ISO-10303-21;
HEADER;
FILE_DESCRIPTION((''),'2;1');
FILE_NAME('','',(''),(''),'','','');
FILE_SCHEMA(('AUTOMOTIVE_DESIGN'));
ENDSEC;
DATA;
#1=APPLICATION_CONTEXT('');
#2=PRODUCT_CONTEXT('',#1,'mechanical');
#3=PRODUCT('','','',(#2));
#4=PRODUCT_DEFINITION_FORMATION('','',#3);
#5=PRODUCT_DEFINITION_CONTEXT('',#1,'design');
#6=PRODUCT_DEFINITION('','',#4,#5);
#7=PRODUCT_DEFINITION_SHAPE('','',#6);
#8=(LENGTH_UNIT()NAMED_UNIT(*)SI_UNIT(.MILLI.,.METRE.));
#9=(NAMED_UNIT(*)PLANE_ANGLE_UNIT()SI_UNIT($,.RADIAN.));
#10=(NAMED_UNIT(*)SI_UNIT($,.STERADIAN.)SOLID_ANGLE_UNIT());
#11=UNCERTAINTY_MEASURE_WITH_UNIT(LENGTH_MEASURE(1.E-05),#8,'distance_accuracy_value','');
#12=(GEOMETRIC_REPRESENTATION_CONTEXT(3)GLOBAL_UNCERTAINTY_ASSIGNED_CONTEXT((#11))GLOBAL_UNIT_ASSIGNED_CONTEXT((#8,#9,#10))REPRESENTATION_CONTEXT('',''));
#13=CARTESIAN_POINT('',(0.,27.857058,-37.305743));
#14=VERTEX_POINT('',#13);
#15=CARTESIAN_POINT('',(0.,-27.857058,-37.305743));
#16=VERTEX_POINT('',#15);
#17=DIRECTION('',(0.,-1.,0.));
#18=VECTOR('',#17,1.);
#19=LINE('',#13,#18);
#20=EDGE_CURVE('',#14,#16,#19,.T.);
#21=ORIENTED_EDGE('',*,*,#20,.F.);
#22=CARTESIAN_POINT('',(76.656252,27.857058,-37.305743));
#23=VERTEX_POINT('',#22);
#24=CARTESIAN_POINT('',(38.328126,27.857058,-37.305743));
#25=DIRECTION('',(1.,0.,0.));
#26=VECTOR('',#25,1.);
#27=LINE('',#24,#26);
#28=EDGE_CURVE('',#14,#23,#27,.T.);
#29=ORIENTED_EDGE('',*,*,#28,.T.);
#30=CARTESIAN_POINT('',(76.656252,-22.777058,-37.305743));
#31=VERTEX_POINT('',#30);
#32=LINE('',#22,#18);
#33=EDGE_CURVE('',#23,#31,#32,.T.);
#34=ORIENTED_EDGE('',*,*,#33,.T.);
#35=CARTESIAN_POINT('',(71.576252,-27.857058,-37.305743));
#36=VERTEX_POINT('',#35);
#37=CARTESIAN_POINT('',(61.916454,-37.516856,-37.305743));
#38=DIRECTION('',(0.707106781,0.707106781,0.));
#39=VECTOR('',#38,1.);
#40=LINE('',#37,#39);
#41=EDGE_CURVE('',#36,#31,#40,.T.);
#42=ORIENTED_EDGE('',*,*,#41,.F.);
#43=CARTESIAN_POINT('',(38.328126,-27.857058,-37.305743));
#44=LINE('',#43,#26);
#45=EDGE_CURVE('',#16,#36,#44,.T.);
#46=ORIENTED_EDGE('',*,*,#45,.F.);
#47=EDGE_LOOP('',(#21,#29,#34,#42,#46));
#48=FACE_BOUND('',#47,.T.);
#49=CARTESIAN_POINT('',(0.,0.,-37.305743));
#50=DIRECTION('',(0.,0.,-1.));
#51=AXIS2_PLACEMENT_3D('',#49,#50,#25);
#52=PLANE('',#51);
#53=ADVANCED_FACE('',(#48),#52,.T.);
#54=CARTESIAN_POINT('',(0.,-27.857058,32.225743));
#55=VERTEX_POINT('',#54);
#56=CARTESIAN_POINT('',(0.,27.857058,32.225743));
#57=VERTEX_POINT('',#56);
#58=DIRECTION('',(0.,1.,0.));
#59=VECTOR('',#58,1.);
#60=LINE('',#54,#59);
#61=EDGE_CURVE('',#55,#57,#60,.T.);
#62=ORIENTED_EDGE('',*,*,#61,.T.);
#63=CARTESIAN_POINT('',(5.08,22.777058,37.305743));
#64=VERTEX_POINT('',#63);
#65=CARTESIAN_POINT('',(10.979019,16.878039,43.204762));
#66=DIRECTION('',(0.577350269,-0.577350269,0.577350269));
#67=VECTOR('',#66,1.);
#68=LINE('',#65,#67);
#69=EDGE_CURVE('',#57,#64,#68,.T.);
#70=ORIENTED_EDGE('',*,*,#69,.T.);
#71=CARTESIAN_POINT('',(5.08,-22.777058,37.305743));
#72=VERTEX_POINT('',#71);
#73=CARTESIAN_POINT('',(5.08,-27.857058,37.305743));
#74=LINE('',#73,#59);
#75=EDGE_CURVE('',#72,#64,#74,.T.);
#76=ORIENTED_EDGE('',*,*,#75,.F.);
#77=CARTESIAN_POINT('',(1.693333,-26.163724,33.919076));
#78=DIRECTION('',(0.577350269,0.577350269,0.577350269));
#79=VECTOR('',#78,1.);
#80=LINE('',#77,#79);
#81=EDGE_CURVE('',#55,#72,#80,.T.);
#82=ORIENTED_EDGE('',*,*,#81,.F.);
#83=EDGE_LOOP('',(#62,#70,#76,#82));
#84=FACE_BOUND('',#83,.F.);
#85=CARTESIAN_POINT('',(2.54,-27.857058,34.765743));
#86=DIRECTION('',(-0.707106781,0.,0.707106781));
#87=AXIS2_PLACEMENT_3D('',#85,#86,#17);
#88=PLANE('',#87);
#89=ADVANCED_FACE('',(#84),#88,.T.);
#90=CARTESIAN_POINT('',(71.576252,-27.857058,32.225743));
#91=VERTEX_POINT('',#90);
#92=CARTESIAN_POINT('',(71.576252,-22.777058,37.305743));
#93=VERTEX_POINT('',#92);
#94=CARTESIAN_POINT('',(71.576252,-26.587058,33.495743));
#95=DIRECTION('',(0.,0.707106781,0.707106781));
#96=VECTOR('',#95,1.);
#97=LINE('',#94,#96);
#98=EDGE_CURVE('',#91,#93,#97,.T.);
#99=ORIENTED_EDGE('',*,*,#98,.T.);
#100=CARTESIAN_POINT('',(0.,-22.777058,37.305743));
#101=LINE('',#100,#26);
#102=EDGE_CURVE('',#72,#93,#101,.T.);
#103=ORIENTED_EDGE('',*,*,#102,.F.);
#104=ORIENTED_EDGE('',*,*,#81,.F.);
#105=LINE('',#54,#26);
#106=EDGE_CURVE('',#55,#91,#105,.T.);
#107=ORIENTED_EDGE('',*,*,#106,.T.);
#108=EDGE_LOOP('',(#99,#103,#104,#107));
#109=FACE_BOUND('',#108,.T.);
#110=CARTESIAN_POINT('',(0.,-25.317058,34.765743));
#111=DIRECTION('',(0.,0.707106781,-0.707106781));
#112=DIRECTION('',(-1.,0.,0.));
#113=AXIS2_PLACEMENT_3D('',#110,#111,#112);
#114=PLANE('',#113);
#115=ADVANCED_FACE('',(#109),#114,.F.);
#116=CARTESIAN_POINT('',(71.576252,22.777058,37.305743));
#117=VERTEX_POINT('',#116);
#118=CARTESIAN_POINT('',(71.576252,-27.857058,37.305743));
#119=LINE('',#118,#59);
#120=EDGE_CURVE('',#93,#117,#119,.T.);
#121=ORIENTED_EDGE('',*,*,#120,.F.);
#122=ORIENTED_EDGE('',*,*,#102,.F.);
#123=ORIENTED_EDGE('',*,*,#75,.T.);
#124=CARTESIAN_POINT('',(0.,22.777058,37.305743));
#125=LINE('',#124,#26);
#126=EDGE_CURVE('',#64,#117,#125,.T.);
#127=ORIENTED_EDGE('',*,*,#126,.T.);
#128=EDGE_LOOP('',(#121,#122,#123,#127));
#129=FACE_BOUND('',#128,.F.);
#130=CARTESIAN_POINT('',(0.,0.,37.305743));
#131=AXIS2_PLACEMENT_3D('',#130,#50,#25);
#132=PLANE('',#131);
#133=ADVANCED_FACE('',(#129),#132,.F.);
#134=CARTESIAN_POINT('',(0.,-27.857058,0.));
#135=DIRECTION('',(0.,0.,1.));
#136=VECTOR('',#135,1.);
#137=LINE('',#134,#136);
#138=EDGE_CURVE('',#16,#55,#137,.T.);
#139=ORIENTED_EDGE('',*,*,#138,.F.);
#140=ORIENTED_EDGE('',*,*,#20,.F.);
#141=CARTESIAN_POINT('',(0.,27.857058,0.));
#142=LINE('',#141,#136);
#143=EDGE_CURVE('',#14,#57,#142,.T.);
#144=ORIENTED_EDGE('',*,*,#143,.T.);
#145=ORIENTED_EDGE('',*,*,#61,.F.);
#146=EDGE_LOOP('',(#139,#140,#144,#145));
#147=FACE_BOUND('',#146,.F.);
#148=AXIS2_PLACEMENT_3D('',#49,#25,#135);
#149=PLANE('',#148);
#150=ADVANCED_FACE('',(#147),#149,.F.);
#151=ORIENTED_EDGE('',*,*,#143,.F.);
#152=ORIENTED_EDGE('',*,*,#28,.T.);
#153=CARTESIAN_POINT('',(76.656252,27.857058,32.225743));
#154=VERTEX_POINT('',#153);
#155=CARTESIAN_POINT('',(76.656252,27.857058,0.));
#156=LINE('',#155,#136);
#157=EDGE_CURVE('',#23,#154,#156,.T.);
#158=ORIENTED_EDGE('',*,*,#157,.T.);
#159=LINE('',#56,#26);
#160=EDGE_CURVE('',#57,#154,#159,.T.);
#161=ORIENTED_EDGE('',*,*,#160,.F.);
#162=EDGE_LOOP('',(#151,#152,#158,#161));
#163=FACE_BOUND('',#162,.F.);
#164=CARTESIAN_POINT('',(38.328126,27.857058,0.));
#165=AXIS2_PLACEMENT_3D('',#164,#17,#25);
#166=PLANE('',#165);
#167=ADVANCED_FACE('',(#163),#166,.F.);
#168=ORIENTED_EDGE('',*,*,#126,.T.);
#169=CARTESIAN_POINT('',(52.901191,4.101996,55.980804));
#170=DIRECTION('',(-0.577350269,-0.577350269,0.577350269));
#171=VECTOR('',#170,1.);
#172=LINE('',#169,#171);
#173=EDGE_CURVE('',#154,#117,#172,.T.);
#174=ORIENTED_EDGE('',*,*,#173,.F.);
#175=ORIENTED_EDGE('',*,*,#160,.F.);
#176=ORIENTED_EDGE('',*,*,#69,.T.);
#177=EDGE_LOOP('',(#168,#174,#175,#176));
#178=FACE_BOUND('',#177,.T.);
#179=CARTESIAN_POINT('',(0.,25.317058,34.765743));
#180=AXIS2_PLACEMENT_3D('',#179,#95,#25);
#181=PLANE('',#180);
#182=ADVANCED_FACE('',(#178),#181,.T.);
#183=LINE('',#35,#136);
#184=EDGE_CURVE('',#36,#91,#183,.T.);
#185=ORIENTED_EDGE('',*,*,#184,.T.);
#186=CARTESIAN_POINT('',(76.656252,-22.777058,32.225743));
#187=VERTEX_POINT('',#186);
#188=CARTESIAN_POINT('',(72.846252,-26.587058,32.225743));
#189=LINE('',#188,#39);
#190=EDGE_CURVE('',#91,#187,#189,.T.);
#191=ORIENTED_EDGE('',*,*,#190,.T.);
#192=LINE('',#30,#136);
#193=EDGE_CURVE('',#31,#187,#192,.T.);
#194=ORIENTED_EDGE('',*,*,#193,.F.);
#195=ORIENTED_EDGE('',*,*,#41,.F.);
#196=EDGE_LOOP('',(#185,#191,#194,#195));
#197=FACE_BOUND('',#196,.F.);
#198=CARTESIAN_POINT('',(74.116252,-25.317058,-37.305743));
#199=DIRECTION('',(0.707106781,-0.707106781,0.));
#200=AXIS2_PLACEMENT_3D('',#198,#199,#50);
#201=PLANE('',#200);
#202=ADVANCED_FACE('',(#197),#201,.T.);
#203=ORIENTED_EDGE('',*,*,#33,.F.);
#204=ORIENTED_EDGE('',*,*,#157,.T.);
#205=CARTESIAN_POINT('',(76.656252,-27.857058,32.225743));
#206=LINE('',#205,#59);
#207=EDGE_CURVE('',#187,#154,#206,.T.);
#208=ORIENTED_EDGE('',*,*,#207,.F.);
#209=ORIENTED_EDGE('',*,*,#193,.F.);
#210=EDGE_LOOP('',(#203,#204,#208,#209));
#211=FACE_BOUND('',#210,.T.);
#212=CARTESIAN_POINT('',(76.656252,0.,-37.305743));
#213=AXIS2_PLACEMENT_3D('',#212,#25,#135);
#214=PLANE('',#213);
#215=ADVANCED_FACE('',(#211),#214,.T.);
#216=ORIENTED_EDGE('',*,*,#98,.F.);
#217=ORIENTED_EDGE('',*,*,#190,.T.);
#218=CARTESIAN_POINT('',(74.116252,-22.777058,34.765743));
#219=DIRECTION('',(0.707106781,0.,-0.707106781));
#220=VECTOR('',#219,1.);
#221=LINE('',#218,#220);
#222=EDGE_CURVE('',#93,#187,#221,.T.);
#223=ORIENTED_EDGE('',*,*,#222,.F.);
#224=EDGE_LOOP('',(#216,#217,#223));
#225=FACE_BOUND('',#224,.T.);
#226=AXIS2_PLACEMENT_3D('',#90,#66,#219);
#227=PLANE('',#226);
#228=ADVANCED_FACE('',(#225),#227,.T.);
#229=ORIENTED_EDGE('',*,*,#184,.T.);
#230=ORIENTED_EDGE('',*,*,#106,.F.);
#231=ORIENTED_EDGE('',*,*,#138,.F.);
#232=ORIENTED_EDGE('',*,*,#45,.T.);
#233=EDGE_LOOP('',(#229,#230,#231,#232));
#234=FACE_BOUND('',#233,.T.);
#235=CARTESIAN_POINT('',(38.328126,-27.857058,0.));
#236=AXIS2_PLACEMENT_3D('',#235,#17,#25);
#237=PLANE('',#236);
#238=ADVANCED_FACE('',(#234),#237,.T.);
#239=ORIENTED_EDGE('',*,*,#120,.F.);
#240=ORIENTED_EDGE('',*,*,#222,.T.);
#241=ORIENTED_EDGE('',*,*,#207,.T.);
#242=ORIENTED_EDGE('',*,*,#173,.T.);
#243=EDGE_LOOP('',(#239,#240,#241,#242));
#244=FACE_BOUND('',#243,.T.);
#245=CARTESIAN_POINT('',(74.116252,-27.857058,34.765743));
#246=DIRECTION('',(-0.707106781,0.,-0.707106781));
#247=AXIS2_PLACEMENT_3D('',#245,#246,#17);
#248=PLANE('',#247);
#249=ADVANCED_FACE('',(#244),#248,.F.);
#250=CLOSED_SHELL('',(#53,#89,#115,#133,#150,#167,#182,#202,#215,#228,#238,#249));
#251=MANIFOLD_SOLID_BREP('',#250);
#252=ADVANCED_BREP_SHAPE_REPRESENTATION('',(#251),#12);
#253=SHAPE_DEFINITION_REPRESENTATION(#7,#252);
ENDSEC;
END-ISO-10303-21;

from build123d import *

# Parameters (mm, degrees)
F0_W     = 76.6562521458
F0_H     = 74.6114850044
F1_DEPTH = 27.8570577502
F2_SIZE  = 5.08


with BuildPart() as f1:
    # F0 (on Front) → F1 (new body, symmetric)
    with BuildSketch(Plane.XZ):
        with Locations((38.3281260729, 0)):
            Rectangle(F0_W, F0_H)
    extrude(amount=F1_DEPTH, both=True)

    # F2
    f2_edges = [f1.edges().sort_by_distance(p)[0] for p in [
        (76.656252, 0, 37.305743),
        (38.328126, -27.857058, 37.305743),
        (0, 0, 37.305743),
        (76.656252, -27.857058, 0),
        (38.328126, 27.857058, 37.305743),
    ]]
    chamfer(f2_edges, length=F2_SIZE)


solid = f1.part
